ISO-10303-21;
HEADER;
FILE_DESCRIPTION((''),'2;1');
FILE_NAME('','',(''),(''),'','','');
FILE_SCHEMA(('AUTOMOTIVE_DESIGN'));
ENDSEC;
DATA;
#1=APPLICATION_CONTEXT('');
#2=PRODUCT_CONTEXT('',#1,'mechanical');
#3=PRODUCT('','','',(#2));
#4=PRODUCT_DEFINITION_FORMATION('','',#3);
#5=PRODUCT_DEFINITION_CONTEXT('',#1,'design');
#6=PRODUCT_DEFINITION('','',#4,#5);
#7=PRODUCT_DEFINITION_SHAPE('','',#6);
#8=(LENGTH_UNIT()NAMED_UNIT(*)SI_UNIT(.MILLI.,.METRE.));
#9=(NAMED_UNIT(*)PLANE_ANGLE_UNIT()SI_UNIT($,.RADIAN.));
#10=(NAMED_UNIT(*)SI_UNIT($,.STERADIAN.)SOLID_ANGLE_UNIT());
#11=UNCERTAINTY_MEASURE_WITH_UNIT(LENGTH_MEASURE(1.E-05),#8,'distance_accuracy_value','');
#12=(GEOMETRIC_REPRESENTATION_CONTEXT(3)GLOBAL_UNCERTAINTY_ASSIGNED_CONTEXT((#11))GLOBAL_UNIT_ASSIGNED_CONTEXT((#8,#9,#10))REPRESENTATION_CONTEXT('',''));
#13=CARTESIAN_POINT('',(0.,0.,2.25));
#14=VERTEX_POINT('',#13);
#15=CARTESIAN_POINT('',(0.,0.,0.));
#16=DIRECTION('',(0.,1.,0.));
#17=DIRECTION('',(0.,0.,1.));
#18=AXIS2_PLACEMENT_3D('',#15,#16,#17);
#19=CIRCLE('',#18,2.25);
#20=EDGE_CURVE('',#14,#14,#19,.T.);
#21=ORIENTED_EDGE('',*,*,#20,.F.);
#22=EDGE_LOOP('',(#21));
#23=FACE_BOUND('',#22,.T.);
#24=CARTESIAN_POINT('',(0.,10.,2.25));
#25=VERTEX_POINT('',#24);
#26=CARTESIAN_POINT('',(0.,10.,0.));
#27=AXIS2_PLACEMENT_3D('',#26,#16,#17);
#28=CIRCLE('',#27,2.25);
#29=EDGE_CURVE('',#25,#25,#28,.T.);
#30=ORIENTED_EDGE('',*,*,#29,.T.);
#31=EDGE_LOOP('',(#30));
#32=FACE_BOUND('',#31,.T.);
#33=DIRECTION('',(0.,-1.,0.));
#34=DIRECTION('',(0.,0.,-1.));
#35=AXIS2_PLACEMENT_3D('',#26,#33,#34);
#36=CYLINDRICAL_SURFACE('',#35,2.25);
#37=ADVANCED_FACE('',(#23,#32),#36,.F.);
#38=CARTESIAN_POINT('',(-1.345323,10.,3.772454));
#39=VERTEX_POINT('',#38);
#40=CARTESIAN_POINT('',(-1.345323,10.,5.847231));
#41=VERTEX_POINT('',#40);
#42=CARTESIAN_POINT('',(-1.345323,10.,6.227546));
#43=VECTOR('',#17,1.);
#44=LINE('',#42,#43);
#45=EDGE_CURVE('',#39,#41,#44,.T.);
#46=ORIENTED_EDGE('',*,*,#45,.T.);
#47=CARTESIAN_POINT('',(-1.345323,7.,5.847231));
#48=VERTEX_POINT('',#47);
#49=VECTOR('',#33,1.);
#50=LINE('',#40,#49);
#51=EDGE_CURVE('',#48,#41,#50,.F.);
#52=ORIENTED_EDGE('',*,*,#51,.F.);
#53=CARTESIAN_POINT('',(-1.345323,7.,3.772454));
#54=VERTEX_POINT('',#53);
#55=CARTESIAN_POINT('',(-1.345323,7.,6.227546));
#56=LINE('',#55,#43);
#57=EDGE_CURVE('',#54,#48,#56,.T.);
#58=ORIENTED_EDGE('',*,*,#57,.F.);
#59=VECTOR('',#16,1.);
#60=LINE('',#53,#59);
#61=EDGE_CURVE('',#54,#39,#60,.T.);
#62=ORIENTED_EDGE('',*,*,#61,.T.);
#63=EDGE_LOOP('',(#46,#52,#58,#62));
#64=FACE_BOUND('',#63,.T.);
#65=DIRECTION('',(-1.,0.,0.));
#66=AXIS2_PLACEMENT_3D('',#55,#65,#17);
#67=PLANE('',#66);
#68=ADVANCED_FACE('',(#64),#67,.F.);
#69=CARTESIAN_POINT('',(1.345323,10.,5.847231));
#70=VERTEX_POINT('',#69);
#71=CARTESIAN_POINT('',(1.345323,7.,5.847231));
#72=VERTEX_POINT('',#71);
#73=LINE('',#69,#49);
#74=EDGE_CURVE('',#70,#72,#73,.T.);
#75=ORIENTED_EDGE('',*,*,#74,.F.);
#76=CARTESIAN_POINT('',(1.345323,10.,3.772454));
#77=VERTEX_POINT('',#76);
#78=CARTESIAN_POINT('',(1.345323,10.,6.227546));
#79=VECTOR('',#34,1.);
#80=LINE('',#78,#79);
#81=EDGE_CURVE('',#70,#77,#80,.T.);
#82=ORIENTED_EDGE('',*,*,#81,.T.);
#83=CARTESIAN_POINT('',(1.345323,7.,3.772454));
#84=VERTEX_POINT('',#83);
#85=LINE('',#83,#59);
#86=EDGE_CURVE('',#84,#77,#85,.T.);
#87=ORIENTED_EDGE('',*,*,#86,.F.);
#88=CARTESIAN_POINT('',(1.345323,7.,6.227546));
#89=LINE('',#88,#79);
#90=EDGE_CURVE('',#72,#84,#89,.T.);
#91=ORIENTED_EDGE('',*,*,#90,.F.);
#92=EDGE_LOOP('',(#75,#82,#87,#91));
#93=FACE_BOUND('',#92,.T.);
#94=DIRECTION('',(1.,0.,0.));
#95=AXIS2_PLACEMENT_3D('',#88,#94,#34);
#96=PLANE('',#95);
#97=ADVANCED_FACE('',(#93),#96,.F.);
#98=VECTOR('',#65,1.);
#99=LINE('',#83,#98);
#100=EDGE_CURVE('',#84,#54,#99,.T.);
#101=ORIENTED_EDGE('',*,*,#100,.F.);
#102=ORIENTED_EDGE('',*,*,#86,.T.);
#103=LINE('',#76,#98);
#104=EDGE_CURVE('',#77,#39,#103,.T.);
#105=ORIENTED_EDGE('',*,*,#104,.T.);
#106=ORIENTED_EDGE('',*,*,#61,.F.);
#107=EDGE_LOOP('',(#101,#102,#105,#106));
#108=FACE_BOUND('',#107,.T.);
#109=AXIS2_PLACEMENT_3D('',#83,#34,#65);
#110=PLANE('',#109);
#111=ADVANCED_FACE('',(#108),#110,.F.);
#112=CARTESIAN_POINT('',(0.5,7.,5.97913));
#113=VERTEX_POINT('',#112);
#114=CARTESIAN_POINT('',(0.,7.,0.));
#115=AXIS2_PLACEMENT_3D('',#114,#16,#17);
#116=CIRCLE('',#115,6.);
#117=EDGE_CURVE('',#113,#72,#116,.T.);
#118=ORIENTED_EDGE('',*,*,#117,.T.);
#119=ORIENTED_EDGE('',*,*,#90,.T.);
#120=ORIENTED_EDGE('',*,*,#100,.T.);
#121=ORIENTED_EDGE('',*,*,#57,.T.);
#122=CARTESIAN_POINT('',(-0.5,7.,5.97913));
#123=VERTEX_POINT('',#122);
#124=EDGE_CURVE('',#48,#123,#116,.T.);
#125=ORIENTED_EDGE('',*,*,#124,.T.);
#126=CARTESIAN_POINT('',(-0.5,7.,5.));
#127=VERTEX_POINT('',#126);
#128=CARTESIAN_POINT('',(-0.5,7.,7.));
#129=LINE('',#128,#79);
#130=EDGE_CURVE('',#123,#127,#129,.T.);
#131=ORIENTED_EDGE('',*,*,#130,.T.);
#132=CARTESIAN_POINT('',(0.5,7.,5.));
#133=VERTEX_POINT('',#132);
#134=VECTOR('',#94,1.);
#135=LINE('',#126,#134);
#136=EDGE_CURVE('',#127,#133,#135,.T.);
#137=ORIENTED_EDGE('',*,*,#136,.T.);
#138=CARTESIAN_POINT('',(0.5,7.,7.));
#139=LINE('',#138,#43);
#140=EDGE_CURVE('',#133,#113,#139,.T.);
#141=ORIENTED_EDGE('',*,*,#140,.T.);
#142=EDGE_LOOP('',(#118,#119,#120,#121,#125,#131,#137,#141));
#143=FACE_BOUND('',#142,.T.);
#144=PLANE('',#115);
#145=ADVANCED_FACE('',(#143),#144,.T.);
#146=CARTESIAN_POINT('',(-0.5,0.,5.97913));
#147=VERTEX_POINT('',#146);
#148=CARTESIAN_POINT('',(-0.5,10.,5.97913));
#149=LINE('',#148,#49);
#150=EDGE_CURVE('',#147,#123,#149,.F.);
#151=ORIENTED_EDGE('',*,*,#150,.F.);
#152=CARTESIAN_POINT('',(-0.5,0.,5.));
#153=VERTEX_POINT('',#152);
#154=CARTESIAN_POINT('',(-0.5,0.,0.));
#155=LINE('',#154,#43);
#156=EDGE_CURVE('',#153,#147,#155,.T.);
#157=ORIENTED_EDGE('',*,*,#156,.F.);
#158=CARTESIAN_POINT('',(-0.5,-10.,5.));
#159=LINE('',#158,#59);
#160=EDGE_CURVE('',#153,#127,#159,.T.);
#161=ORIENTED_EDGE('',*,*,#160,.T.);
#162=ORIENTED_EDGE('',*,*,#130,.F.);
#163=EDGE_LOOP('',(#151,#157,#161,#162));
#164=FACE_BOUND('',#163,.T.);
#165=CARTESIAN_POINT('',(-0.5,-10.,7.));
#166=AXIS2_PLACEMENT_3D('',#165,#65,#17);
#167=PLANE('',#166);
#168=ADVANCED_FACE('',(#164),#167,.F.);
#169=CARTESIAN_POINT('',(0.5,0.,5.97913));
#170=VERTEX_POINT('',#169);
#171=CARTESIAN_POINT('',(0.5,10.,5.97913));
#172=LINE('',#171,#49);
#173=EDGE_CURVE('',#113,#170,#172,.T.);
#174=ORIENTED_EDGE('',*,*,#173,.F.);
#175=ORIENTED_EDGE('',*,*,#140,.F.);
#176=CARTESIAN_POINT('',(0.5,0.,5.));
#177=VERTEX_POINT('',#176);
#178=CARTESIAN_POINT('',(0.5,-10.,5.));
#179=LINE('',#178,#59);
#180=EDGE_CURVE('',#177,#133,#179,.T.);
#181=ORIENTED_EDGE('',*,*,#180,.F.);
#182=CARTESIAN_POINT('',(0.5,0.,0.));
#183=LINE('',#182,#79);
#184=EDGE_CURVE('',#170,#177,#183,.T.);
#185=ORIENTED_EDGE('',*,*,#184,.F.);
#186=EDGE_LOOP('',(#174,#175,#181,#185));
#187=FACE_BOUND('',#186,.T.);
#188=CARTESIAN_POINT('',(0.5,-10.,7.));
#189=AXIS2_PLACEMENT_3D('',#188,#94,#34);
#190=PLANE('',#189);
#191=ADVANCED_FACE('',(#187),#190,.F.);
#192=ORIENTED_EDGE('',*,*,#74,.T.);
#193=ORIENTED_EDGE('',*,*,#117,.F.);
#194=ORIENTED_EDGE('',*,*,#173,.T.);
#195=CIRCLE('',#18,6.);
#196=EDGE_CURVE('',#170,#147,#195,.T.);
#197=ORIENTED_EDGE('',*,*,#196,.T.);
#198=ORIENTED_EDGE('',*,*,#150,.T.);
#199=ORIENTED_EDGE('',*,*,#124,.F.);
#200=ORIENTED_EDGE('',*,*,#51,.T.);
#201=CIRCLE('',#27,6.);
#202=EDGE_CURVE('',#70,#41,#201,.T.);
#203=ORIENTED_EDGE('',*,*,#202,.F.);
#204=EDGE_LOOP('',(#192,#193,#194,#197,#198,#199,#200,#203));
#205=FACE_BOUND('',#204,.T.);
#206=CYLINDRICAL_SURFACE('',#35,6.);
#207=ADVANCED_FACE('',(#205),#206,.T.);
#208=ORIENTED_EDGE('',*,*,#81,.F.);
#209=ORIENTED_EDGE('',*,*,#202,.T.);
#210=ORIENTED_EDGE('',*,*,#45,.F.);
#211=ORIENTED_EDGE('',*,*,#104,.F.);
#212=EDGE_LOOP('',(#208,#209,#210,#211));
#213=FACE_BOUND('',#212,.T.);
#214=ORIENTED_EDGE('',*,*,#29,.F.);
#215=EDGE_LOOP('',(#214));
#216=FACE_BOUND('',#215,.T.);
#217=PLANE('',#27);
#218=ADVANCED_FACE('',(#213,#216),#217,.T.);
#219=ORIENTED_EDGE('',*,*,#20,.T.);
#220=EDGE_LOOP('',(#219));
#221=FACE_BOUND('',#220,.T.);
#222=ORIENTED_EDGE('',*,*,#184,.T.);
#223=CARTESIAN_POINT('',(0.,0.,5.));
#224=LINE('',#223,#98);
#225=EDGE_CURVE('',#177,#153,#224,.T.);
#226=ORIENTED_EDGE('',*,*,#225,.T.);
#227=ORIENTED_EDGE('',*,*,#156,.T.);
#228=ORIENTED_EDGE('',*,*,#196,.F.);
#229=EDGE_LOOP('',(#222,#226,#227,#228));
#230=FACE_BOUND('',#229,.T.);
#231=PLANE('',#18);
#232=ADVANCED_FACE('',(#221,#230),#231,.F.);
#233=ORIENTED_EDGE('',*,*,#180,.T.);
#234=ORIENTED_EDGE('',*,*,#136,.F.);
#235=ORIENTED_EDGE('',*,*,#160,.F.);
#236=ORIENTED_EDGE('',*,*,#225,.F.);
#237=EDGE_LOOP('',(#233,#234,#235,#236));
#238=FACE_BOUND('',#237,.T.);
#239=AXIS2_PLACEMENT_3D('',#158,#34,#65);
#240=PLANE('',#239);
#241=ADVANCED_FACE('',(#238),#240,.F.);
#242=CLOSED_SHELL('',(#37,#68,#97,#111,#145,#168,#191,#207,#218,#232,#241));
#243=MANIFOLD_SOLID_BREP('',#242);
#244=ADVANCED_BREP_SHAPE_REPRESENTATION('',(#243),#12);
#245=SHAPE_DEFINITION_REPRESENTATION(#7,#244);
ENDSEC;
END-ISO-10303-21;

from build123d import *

# Parameters (mm, degrees)
ESQUISSE1_R             = 6
ESQUISSE1_R_2           = 2.25
BOSS_EXTRU_1_DEPTH      = 10
ESQUISSE2_W             = 1
ESQUISSE2_H             = 2
ENL_V_MAT_EXTRU_1_DEPTH = 20
ESQUISSE3_W             = 2.690646438
ESQUISSE3_H             = 2.455091602
ENL_V_MAT_EXTRU_2_DEPTH = 3


with BuildPart() as part:
    # Esquisse1 → Boss.-Extru.1 (new body)
    with BuildSketch(Plane(origin=(0, 0, 0), x_dir=(1, 0, 0), z_dir=(0, 1, 0))):
        with Locations(Location((0, 0, 0), (0, 0, 270))):
            Circle(ESQUISSE1_R)
        with Locations(Location((0, 0, 0), (0, 0, 270))):
            Circle(ESQUISSE1_R_2, mode=Mode.SUBTRACT)
    extrude(amount=BOSS_EXTRU_1_DEPTH)

    # Esquisse2 → Enlèv. mat.-Extru.1 (cut)
    with BuildSketch(Plane(origin=(0, 10, 0), x_dir=(1, 0, 0), z_dir=(0, 1, 0))):
        with Locations((0, -6)):
            Rectangle(ESQUISSE2_W, ESQUISSE2_H)
    extrude(amount=-ENL_V_MAT_EXTRU_1_DEPTH, mode=Mode.SUBTRACT)

    # Esquisse3 → Enlèv. mat.-Extru.2 (cut)
    with BuildSketch(Plane(origin=(0, 10, 0), x_dir=(1, 0, 0), z_dir=(0, 1, 0))):
        with Locations((0, -5)):
            Rectangle(ESQUISSE3_W, ESQUISSE3_H)
    extrude(amount=-ENL_V_MAT_EXTRU_2_DEPTH, mode=Mode.SUBTRACT)


solid = part.part
